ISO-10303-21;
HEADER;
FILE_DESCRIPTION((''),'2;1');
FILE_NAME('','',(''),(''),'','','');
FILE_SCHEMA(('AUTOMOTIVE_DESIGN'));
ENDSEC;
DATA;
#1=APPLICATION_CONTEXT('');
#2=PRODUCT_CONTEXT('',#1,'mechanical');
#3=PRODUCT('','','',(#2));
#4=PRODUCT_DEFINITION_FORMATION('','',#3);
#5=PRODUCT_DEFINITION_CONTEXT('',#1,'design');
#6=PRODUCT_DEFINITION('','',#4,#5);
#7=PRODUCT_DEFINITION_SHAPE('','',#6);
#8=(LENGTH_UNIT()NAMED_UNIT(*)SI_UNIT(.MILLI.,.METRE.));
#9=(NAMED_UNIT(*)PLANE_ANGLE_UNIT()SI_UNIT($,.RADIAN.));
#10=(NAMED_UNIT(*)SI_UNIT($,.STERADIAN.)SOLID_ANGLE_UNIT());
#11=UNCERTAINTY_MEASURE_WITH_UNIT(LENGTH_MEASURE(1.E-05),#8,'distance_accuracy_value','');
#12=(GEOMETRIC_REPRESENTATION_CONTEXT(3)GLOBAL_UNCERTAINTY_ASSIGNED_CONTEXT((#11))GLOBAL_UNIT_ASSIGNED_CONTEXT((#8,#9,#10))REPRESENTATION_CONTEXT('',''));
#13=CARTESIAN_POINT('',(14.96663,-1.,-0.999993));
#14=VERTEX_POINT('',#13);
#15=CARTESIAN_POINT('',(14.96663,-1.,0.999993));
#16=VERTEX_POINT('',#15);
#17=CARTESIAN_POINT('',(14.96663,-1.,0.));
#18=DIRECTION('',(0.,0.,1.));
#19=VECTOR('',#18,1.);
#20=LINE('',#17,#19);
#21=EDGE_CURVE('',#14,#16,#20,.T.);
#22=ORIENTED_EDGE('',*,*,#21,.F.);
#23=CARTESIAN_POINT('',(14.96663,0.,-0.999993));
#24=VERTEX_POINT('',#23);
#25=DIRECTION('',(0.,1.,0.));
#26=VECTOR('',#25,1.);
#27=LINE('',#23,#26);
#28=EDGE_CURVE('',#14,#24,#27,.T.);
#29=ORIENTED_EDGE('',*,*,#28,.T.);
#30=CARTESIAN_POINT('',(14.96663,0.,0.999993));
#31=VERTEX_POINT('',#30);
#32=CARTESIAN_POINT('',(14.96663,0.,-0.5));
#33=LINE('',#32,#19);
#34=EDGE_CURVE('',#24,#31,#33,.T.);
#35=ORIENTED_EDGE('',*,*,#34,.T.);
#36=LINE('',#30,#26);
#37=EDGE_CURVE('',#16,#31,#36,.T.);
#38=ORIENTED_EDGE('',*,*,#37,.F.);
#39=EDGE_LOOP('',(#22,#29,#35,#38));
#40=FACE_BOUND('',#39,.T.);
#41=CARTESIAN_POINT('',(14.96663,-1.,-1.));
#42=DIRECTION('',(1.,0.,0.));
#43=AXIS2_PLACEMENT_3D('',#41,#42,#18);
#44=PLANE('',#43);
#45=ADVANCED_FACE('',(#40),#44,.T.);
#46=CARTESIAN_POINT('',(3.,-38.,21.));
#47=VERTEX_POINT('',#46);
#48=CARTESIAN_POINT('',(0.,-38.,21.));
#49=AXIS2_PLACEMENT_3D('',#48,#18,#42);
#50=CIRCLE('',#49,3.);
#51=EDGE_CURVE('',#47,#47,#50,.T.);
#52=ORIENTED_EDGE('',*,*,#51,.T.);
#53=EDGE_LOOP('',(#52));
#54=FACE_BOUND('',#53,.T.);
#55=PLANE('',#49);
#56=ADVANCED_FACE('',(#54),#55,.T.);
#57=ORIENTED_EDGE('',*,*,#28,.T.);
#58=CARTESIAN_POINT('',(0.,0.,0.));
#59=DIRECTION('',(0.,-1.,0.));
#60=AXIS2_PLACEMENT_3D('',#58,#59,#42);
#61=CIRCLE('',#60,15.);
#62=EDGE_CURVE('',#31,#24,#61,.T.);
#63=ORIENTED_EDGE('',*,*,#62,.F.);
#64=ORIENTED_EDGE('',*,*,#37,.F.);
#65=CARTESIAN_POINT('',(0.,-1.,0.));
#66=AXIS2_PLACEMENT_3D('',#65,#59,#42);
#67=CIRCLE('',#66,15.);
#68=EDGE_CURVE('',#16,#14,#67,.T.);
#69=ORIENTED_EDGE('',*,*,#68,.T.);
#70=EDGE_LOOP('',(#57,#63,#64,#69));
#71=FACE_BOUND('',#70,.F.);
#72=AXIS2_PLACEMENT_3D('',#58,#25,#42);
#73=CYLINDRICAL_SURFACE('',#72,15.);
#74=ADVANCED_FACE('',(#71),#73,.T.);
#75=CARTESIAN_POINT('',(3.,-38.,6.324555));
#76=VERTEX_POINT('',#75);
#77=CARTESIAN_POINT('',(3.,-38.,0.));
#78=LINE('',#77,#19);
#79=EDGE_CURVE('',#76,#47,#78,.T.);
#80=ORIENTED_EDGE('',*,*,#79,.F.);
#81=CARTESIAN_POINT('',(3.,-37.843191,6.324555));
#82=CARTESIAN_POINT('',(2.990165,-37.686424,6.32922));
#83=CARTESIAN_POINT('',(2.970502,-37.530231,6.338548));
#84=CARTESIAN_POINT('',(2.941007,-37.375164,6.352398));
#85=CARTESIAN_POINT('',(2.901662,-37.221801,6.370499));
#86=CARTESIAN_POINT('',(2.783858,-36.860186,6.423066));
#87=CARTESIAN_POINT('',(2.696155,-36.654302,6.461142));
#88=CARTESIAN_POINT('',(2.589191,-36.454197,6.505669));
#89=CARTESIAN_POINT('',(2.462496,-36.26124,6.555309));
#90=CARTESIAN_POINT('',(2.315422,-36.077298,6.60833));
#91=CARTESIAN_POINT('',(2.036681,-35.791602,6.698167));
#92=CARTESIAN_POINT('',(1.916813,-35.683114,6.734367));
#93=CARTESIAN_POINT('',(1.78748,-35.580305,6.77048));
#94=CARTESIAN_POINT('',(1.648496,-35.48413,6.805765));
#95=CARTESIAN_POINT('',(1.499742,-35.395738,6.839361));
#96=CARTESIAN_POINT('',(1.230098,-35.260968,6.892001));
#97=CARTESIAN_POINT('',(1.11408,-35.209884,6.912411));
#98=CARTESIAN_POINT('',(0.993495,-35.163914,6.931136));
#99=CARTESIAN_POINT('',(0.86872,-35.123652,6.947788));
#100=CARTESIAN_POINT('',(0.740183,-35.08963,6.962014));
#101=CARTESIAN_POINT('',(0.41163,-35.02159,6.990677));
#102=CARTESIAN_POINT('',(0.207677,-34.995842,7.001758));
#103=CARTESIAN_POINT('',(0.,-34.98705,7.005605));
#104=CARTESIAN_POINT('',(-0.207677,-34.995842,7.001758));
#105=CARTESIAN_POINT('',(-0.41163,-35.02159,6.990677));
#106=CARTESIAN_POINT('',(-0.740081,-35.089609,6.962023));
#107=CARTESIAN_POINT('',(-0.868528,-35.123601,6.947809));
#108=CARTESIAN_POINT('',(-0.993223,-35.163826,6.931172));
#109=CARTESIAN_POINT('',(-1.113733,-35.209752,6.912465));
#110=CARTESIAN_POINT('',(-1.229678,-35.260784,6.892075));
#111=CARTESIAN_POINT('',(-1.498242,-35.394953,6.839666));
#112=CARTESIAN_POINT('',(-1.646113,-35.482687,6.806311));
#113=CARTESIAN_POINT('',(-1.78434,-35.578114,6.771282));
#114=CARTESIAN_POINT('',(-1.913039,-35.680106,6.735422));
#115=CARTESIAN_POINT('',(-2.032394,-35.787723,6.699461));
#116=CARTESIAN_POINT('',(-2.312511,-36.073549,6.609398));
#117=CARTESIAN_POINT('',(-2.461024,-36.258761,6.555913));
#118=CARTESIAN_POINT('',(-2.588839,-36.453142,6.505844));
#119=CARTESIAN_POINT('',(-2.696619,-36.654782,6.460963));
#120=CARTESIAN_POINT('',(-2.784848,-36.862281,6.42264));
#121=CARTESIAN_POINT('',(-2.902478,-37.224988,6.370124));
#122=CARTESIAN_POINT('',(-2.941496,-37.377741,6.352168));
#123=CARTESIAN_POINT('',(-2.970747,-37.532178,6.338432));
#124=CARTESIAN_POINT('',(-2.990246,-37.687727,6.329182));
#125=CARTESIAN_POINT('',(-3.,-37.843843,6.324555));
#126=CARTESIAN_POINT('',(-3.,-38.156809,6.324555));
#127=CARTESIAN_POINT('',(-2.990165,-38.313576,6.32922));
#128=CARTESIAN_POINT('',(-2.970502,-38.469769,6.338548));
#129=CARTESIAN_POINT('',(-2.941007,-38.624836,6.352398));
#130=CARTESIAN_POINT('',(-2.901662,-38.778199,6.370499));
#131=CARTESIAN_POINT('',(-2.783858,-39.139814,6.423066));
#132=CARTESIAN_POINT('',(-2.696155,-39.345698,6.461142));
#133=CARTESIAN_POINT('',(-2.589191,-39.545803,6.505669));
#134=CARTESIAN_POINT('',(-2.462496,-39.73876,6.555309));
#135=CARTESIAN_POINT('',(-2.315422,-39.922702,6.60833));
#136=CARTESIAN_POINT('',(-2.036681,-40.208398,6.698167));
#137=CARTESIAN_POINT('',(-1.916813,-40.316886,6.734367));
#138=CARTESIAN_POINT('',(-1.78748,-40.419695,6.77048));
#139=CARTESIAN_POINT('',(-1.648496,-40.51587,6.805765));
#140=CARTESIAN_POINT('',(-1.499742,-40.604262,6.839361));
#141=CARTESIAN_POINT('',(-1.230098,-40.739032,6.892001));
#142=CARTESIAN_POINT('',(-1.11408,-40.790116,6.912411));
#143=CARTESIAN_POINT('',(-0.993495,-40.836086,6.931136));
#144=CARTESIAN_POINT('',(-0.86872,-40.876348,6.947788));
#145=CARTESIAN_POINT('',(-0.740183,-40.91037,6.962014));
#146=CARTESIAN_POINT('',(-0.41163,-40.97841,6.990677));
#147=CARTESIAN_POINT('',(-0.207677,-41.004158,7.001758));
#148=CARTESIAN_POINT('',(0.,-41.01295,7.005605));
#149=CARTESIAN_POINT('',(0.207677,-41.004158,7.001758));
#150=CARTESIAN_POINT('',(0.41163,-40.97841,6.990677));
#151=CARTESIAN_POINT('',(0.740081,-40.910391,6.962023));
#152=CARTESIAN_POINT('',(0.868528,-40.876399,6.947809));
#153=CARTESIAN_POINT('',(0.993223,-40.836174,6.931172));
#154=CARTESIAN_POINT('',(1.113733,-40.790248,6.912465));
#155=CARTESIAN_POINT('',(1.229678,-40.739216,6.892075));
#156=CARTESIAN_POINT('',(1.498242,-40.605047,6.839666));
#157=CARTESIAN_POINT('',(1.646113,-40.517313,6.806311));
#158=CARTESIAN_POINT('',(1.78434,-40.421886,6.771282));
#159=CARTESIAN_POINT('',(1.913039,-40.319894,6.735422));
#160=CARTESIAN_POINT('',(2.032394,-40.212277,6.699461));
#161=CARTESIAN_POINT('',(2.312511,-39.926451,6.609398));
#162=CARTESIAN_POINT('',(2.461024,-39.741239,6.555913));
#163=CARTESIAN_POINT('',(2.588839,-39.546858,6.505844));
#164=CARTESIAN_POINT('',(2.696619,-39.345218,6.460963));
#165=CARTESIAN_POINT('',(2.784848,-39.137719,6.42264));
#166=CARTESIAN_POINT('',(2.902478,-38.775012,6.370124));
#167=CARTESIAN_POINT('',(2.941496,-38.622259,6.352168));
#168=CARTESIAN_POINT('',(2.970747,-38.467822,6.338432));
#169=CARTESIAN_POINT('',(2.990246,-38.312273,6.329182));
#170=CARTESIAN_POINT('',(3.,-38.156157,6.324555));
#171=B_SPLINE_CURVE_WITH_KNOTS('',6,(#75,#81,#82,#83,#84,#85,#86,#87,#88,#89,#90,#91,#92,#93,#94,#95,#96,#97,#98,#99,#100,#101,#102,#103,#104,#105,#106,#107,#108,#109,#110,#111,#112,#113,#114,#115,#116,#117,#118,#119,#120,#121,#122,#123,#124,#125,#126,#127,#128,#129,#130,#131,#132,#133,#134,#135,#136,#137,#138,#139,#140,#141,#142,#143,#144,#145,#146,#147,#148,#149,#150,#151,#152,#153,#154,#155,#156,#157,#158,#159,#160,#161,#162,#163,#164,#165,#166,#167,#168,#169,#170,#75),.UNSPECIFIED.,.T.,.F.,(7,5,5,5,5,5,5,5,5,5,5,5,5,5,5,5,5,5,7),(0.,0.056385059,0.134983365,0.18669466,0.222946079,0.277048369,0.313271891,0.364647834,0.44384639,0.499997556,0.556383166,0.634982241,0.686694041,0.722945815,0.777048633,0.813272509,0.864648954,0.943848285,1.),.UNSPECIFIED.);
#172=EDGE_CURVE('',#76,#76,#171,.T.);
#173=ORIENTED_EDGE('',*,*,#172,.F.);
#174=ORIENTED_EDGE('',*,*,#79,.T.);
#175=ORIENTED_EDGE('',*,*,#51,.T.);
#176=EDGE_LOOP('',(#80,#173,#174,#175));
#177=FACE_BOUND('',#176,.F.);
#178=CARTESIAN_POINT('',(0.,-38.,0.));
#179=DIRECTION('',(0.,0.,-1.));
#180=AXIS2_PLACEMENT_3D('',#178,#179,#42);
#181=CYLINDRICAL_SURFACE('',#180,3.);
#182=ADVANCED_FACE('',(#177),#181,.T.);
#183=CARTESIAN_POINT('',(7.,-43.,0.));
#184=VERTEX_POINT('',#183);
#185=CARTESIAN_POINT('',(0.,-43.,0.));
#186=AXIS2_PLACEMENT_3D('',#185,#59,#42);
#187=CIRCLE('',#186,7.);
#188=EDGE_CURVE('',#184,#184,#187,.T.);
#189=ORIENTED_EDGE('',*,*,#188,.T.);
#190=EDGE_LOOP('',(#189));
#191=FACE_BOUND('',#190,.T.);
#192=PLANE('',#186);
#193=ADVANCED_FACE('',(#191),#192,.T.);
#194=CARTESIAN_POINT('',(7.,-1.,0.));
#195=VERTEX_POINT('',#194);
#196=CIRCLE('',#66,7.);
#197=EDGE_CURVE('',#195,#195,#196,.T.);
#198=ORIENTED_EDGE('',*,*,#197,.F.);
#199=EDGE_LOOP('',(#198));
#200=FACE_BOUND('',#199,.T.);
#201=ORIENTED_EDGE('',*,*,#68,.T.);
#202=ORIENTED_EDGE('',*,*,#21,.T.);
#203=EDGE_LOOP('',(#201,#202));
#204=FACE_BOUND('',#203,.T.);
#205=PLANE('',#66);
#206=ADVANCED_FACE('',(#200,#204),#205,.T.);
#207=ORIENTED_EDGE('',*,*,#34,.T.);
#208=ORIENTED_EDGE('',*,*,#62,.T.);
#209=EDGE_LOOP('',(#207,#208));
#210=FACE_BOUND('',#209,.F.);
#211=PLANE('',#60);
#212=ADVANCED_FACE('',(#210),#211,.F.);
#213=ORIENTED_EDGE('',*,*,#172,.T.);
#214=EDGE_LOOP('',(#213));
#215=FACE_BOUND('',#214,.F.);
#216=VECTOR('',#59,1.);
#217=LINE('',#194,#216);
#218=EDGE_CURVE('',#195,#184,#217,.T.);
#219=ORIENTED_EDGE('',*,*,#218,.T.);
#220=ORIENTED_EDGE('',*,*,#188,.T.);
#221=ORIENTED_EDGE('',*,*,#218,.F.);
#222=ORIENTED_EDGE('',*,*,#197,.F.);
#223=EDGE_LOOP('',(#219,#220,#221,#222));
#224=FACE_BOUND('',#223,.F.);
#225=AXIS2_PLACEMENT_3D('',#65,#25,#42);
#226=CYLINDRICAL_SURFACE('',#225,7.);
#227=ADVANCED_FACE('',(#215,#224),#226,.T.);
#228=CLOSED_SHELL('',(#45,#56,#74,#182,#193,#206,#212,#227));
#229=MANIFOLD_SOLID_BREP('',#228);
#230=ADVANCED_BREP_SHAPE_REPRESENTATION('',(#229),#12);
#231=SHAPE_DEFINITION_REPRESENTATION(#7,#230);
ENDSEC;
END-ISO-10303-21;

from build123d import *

# Parameters (mm, degrees)
F0_R     = 15
F1_DEPTH = 1
F2_R     = 7
F3_DEPTH = 42
F4_R     = 3
F5_DEPTH = 21
F6_W     = 2
F6_H     = 2
F7_DEPTH = 1.001


with BuildPart() as f1:
    # F0 (on Front) → F1 (new body)
    with BuildSketch(Plane.XZ):
        Circle(F0_R)
    extrude(amount=F1_DEPTH)

    # F2 (on face) → F3 (join)
    with BuildSketch(Plane.XZ.offset(1)):
        Circle(F2_R)
    extrude(amount=F3_DEPTH)

    # F4 (on Top) → F5 (join)
    with BuildSketch(Plane.XY):
        with Locations((0, -38)):
            Circle(F4_R)
    extrude(amount=F5_DEPTH)

    # F6 (on face) → F7 (cut, through all)
    with BuildSketch(Plane.XZ.offset(1)):
        with Locations((15.96663, 0)):
            Rectangle(F6_W, F6_H)
    extrude(amount=-F7_DEPTH, mode=Mode.SUBTRACT)


solid = f1.part
